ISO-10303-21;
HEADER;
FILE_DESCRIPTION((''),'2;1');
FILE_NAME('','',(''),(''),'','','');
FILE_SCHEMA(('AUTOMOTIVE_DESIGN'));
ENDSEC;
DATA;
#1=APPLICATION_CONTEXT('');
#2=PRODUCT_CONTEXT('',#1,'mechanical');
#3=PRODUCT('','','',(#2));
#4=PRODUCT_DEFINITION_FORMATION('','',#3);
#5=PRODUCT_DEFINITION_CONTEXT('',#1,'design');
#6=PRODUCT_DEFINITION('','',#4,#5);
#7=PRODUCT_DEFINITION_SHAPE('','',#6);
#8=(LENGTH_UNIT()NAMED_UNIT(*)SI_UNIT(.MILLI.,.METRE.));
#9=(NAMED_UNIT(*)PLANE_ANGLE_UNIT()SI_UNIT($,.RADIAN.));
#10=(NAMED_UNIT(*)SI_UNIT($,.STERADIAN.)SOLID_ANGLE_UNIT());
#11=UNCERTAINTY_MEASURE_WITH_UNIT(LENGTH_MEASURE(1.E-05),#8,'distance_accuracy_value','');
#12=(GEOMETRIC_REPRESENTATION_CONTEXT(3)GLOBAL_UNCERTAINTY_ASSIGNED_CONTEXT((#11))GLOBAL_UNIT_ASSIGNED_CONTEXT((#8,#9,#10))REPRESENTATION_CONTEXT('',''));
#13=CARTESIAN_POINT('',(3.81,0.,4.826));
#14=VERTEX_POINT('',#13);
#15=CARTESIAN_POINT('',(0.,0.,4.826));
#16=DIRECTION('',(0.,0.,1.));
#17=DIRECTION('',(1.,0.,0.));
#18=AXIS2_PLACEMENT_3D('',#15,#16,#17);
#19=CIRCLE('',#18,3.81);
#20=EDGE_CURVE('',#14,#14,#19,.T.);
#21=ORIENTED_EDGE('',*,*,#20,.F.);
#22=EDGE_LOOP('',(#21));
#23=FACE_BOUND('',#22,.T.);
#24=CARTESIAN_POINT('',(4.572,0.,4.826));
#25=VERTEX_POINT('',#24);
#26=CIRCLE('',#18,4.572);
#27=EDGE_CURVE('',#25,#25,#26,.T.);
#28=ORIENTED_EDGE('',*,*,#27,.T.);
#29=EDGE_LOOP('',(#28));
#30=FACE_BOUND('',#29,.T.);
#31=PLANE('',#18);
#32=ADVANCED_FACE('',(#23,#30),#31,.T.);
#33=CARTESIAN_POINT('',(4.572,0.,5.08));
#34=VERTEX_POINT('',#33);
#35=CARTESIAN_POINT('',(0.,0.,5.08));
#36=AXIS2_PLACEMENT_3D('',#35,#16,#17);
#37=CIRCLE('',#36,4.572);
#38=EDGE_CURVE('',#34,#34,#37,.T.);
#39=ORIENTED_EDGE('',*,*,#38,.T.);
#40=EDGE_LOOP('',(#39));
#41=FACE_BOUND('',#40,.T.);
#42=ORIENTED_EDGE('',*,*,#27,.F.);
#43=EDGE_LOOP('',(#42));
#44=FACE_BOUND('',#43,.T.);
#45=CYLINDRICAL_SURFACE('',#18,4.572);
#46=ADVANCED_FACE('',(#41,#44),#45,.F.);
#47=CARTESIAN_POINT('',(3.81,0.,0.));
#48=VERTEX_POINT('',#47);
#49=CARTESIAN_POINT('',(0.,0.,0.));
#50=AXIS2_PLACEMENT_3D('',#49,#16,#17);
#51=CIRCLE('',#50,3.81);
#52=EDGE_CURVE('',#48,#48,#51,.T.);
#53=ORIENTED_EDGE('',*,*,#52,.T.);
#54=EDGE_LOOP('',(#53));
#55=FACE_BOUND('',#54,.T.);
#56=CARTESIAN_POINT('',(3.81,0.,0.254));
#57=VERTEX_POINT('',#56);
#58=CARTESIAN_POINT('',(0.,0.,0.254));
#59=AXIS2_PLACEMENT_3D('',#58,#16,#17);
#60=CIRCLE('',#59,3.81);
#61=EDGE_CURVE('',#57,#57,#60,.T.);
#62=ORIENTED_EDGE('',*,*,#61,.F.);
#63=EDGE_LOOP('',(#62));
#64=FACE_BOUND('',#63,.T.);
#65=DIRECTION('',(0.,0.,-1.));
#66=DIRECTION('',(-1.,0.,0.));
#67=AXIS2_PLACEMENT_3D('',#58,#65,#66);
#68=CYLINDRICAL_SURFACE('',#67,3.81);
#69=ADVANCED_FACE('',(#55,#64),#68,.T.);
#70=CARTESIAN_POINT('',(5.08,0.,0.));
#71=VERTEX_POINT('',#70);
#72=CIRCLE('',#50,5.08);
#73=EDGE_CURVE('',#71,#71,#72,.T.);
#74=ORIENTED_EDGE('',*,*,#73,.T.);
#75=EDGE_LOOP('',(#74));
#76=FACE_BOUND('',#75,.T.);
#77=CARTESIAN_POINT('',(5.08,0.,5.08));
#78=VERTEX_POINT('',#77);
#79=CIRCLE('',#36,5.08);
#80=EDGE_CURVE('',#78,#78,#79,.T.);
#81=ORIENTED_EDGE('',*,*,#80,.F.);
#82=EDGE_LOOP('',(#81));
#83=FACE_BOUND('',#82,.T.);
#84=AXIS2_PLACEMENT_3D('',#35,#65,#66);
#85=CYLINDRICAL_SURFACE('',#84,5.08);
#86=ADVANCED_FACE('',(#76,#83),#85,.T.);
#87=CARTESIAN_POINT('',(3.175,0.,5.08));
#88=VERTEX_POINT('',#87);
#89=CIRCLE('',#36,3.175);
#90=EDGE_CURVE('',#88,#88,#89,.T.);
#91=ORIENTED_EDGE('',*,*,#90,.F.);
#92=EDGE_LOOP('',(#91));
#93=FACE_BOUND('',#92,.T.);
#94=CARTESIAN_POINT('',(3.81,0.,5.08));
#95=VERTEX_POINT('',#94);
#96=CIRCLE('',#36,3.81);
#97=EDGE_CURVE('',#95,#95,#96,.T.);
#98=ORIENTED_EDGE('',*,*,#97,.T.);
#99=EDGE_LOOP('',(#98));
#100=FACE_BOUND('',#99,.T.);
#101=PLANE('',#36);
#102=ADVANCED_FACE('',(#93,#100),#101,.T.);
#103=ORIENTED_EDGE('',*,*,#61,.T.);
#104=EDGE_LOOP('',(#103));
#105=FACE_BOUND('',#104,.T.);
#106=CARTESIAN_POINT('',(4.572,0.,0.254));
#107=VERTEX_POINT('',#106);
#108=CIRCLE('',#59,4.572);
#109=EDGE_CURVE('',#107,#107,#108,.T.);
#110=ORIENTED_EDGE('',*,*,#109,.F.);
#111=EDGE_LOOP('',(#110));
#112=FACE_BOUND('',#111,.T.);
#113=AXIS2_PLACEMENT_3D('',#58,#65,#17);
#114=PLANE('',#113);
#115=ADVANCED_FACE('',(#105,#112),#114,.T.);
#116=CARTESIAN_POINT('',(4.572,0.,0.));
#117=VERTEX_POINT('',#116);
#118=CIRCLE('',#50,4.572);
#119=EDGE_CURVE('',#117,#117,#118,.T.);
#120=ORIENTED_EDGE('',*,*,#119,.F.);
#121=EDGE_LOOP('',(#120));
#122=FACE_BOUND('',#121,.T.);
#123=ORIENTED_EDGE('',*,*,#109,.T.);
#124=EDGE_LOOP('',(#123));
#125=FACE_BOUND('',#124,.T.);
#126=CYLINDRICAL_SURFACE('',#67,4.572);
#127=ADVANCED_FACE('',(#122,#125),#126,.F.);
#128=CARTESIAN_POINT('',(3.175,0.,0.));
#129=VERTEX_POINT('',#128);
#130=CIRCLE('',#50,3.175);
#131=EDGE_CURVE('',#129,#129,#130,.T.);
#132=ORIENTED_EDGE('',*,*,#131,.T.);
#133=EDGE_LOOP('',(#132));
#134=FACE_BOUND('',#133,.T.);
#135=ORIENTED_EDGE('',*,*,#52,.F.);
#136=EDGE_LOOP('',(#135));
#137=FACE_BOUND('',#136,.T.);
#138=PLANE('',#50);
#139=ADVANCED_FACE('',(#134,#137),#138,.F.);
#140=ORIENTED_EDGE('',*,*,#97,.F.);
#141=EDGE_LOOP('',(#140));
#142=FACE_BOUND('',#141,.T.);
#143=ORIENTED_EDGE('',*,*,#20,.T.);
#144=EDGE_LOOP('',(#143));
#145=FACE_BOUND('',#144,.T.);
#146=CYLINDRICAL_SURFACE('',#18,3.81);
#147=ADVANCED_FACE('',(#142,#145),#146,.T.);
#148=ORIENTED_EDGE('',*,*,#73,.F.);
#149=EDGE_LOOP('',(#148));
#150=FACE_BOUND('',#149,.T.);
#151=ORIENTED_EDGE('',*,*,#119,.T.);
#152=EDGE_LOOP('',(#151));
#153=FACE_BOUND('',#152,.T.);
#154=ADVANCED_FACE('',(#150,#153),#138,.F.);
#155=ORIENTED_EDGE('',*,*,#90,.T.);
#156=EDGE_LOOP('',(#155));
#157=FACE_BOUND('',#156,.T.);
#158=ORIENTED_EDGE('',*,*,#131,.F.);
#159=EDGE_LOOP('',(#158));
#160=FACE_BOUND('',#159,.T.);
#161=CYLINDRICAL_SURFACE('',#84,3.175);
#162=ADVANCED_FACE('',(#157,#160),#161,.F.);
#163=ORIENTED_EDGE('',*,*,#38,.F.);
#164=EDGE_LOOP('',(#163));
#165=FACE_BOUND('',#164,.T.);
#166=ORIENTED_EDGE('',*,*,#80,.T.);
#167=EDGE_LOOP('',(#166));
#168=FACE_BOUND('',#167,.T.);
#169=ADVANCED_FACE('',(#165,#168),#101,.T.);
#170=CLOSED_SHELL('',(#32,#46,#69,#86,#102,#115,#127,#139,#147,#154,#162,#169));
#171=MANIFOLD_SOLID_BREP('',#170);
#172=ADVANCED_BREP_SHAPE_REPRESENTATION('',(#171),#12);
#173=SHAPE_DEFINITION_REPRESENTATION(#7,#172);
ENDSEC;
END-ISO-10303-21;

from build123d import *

# Parameters (mm, degrees)
SKETCH1_R           = 5.08
SKETCH1_R_2         = 3.175
BOSS_EXTRUDE1_DEPTH = 5.08
SKETCH2_R           = 4.572
SKETCH2_R_2         = 3.81
CUT_EXTRUDE1_DEPTH  = 0.254


with BuildPart() as part:
    # Sketch1 → Boss-Extrude1 (new body)
    with BuildSketch(Plane.XY):
        Circle(SKETCH1_R)
        Circle(SKETCH1_R_2, mode=Mode.SUBTRACT)
    extrude(amount=BOSS_EXTRUDE1_DEPTH)

    # Sketch2 → Cut-Extrude1 (cut)
    with BuildSketch(Plane.XY.offset(5.08)):
        Circle(SKETCH2_R)
        Circle(SKETCH2_R_2, mode=Mode.SUBTRACT)
    cut_extrude1 = extrude(amount=-CUT_EXTRUDE1_DEPTH, mode=Mode.SUBTRACT)

    # Mirror1: Cut-Extrude1 across plane
    add(cut_extrude1.mirror(Plane.XY.offset(2.54)), mode=Mode.SUBTRACT)


solid = part.part
